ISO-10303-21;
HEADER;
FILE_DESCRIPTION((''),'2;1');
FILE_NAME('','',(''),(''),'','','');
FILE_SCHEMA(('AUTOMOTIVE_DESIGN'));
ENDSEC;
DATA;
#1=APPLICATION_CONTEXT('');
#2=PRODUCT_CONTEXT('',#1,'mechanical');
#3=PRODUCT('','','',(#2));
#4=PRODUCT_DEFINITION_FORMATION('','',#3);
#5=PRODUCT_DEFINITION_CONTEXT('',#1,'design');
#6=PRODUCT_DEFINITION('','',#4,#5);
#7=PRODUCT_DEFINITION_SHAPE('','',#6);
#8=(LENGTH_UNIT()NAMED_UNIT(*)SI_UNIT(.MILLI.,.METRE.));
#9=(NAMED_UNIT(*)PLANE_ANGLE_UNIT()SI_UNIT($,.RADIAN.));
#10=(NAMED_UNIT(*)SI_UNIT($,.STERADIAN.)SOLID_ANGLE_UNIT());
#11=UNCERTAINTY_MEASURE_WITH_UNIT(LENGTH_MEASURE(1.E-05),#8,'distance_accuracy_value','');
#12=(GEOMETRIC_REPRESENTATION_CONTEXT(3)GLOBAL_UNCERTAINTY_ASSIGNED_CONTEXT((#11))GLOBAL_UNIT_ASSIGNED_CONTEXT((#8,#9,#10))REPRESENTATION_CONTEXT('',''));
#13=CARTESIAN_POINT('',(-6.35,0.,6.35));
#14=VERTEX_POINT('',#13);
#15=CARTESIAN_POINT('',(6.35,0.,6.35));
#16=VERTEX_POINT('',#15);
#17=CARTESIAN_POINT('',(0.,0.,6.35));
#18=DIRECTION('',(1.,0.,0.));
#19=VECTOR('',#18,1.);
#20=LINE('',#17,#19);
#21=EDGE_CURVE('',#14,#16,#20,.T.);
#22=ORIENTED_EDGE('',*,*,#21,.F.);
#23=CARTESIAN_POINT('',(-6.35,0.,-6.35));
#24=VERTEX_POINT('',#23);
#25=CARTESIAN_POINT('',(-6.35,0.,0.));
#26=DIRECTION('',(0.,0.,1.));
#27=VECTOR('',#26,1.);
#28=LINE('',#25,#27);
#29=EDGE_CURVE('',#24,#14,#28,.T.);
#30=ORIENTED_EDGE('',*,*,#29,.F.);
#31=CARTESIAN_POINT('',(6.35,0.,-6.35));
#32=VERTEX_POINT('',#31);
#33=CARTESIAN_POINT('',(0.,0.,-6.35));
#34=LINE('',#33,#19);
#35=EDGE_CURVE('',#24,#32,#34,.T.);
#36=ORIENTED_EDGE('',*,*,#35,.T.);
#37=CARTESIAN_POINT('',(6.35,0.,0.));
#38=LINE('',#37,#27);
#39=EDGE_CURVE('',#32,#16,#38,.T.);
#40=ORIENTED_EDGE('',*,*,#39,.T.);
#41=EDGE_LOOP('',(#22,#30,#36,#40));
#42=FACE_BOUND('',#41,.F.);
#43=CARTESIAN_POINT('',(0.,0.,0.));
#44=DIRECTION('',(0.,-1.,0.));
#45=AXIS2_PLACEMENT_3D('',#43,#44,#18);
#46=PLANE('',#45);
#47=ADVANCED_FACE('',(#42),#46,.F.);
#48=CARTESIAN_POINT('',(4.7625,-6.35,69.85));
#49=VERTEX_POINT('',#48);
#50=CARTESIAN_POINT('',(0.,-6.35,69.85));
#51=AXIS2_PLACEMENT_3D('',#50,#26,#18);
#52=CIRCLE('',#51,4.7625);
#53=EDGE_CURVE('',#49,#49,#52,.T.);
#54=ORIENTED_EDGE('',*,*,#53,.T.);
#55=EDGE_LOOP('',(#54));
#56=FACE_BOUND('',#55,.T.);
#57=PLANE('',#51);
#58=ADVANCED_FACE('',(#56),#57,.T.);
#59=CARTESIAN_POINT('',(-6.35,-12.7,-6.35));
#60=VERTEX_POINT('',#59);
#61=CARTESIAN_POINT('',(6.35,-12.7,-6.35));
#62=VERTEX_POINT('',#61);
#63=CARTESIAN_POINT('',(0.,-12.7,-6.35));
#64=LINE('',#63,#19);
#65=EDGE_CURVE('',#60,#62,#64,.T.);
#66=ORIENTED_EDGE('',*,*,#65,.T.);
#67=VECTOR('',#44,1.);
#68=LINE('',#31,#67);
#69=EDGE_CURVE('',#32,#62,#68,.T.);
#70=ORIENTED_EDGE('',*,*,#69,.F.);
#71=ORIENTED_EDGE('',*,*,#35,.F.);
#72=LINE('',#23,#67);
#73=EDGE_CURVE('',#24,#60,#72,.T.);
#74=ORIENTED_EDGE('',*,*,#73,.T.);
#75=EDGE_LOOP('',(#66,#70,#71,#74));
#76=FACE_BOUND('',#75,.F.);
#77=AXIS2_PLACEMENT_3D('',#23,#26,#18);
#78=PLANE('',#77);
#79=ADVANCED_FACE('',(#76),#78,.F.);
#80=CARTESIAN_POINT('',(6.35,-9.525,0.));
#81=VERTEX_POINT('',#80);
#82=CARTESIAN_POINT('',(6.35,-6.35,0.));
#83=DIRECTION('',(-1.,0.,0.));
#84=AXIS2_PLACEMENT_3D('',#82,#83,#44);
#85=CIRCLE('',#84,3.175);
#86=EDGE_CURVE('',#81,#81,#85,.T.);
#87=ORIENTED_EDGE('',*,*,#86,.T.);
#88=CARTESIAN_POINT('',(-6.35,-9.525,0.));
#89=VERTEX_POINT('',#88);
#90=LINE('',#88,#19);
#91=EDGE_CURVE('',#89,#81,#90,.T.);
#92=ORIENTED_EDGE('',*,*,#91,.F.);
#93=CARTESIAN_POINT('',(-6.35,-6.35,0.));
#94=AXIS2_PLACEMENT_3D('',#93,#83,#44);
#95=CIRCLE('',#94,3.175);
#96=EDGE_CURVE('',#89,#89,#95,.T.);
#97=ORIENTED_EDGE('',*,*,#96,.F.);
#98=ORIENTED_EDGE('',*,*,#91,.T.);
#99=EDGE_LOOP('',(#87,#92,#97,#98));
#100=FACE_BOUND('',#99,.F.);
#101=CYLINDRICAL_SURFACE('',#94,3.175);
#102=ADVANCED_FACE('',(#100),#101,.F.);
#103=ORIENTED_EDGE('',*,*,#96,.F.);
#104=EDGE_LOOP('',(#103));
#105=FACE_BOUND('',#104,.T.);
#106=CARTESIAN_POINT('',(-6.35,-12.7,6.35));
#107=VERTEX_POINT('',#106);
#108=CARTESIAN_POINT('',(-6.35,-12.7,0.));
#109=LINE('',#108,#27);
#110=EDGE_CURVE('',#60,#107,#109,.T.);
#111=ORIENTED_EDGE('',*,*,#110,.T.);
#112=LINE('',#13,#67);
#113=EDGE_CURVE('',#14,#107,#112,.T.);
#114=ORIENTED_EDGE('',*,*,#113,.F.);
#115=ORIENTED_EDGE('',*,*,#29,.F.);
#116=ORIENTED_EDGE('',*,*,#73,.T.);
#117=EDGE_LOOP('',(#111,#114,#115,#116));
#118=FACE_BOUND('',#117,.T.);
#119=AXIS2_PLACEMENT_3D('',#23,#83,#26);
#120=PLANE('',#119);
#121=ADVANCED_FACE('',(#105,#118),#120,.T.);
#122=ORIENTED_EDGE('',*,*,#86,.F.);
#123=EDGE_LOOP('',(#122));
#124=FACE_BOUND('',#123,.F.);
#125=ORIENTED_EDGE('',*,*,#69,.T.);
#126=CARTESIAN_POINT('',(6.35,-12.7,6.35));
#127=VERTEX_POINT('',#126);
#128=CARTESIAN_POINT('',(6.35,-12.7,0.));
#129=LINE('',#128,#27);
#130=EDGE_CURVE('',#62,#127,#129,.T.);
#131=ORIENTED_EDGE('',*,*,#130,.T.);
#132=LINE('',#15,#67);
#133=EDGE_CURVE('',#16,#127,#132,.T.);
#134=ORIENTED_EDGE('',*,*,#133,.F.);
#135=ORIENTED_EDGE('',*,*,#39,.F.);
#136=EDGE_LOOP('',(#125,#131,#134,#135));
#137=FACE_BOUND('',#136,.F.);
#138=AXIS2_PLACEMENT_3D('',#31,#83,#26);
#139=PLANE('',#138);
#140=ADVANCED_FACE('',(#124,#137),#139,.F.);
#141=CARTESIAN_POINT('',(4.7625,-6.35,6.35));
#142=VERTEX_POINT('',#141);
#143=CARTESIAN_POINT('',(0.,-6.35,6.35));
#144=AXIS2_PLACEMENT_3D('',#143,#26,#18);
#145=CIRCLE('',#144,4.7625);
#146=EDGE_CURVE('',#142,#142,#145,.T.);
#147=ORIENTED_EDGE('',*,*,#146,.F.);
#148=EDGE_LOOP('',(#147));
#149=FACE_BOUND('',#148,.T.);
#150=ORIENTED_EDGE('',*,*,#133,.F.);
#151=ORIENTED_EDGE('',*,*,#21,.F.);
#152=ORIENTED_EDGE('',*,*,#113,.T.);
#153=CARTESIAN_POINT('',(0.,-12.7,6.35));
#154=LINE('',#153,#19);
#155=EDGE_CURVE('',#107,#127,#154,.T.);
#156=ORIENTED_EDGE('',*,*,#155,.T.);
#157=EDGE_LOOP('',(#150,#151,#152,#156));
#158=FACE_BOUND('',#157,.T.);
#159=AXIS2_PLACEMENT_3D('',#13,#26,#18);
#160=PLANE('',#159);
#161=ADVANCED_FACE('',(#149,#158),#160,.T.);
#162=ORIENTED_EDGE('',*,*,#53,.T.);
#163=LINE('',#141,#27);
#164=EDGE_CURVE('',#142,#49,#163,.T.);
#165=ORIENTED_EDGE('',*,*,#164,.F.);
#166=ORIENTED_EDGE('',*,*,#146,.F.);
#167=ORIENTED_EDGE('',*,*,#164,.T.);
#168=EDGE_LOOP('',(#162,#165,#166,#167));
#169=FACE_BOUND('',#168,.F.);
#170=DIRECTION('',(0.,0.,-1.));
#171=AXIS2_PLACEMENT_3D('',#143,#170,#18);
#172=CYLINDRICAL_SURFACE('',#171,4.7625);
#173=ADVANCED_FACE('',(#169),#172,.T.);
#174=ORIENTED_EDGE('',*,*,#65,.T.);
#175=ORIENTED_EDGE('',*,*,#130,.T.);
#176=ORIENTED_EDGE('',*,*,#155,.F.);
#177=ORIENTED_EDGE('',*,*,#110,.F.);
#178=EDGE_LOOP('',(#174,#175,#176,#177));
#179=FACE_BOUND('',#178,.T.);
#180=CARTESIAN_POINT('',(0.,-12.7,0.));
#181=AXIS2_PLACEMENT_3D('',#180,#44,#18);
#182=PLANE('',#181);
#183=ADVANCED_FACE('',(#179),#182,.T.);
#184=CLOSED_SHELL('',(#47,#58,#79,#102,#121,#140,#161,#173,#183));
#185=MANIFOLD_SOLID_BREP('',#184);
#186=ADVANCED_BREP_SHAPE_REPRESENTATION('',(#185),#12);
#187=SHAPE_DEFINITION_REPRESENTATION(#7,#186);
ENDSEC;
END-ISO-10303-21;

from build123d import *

# Parameters (mm, degrees)
F0_W     = 12.7
F0_H     = 12.7
F1_DEPTH = 12.7
F2_R     = 4.7625
F3_DEPTH = 63.5
F4_R     = 3.175
F5_DEPTH = 12.701


with BuildPart() as f1:
    # F0 (on Front) → F1 (new body)
    with BuildSketch(Plane.XZ):
        Rectangle(F0_W, F0_H)
    extrude(amount=F1_DEPTH)

    # F2 (on face) → F3 (join)
    with BuildSketch(Plane.XY.offset(6.35)):
        with Locations((0, -6.35)):
            Circle(F2_R)
    extrude(amount=F3_DEPTH)

    # F4 (on face) → F5 (cut, through all)
    with BuildSketch(Plane(origin=(-6.35, 0, 0), x_dir=(0, -1, 0), z_dir=(-1, 0, 0))):
        with Locations((6.35, 0)):
            Circle(F4_R)
    extrude(amount=-F5_DEPTH, mode=Mode.SUBTRACT)


solid = f1.part
